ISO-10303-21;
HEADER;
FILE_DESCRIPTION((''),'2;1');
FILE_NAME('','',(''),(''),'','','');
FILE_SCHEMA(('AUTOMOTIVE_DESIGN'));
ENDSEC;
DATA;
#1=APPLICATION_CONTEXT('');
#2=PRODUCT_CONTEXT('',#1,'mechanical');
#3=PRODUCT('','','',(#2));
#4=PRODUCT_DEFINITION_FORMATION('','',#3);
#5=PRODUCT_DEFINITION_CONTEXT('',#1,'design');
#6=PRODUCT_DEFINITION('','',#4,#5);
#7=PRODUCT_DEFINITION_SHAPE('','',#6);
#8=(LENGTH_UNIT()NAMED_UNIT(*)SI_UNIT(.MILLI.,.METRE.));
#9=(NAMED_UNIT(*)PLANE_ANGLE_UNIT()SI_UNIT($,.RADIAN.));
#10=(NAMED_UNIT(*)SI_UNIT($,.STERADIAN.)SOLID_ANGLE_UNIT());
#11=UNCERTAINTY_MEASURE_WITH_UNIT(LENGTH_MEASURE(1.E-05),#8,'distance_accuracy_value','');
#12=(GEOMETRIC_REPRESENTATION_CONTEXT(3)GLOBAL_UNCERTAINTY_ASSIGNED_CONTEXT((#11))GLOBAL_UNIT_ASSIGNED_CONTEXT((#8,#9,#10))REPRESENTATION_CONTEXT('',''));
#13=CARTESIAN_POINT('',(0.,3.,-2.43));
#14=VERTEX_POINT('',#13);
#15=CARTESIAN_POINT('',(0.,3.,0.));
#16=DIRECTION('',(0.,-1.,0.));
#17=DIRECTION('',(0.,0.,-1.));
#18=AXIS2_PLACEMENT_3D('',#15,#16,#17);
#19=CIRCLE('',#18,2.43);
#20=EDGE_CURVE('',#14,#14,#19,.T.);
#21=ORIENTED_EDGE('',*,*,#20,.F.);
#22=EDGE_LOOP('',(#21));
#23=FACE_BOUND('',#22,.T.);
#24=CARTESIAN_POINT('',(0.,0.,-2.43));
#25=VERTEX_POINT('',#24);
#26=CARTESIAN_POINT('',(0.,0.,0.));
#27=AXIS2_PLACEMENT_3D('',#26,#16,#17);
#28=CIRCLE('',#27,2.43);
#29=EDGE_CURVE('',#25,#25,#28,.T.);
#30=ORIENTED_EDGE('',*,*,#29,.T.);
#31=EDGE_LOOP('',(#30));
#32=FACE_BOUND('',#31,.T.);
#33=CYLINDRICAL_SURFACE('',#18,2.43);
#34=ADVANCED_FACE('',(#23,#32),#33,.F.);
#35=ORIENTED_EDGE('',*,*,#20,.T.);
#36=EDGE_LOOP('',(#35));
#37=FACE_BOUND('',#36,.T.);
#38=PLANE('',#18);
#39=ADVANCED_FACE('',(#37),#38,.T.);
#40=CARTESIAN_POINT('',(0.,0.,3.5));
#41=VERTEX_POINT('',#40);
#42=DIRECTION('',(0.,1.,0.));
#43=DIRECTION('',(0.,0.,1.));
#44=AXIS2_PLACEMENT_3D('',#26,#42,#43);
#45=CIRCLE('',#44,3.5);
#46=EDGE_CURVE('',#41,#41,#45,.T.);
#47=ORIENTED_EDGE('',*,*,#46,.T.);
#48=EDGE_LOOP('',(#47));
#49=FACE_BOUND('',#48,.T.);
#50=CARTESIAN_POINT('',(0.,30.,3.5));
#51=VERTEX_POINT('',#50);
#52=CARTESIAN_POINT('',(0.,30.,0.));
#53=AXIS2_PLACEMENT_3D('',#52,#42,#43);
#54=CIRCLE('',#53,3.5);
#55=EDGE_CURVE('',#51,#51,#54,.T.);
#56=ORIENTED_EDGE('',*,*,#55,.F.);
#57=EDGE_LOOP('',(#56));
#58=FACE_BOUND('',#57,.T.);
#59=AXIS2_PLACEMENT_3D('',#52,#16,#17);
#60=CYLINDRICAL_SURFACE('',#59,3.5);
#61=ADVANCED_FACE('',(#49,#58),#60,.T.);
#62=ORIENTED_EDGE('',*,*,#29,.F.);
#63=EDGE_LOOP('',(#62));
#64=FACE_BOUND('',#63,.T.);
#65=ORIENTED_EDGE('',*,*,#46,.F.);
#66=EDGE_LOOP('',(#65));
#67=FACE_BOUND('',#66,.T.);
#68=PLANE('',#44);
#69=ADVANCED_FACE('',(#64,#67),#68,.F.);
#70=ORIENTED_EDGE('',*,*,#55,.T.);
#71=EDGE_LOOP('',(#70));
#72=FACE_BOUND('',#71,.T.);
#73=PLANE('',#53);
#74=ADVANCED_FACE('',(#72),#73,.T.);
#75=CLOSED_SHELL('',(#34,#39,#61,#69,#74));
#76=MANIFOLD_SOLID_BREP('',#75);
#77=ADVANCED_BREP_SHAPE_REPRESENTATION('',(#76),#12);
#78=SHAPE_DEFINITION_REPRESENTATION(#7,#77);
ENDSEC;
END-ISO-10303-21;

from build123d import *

# Parameters (mm, degrees)
SKETCH1_R           = 3.5
BOSS_EXTRUDE1_DEPTH = 29.999999944
SKETCH2_R           = 2.43
CUT_EXTRUDE1_DEPTH  = 3


with BuildPart() as part:
    # Sketch1 → Boss-Extrude1 (new body)
    with BuildSketch(Plane(origin=(0, 0, 0), x_dir=(1, 0, 0), z_dir=(0, 1, 0))):
        Circle(SKETCH1_R)
    extrude(amount=BOSS_EXTRUDE1_DEPTH)

    # Sketch2 → Cut-Extrude1 (cut)
    with BuildSketch(Plane.XZ):
        Circle(SKETCH2_R)
    extrude(amount=-CUT_EXTRUDE1_DEPTH, mode=Mode.SUBTRACT)


solid = part.part
